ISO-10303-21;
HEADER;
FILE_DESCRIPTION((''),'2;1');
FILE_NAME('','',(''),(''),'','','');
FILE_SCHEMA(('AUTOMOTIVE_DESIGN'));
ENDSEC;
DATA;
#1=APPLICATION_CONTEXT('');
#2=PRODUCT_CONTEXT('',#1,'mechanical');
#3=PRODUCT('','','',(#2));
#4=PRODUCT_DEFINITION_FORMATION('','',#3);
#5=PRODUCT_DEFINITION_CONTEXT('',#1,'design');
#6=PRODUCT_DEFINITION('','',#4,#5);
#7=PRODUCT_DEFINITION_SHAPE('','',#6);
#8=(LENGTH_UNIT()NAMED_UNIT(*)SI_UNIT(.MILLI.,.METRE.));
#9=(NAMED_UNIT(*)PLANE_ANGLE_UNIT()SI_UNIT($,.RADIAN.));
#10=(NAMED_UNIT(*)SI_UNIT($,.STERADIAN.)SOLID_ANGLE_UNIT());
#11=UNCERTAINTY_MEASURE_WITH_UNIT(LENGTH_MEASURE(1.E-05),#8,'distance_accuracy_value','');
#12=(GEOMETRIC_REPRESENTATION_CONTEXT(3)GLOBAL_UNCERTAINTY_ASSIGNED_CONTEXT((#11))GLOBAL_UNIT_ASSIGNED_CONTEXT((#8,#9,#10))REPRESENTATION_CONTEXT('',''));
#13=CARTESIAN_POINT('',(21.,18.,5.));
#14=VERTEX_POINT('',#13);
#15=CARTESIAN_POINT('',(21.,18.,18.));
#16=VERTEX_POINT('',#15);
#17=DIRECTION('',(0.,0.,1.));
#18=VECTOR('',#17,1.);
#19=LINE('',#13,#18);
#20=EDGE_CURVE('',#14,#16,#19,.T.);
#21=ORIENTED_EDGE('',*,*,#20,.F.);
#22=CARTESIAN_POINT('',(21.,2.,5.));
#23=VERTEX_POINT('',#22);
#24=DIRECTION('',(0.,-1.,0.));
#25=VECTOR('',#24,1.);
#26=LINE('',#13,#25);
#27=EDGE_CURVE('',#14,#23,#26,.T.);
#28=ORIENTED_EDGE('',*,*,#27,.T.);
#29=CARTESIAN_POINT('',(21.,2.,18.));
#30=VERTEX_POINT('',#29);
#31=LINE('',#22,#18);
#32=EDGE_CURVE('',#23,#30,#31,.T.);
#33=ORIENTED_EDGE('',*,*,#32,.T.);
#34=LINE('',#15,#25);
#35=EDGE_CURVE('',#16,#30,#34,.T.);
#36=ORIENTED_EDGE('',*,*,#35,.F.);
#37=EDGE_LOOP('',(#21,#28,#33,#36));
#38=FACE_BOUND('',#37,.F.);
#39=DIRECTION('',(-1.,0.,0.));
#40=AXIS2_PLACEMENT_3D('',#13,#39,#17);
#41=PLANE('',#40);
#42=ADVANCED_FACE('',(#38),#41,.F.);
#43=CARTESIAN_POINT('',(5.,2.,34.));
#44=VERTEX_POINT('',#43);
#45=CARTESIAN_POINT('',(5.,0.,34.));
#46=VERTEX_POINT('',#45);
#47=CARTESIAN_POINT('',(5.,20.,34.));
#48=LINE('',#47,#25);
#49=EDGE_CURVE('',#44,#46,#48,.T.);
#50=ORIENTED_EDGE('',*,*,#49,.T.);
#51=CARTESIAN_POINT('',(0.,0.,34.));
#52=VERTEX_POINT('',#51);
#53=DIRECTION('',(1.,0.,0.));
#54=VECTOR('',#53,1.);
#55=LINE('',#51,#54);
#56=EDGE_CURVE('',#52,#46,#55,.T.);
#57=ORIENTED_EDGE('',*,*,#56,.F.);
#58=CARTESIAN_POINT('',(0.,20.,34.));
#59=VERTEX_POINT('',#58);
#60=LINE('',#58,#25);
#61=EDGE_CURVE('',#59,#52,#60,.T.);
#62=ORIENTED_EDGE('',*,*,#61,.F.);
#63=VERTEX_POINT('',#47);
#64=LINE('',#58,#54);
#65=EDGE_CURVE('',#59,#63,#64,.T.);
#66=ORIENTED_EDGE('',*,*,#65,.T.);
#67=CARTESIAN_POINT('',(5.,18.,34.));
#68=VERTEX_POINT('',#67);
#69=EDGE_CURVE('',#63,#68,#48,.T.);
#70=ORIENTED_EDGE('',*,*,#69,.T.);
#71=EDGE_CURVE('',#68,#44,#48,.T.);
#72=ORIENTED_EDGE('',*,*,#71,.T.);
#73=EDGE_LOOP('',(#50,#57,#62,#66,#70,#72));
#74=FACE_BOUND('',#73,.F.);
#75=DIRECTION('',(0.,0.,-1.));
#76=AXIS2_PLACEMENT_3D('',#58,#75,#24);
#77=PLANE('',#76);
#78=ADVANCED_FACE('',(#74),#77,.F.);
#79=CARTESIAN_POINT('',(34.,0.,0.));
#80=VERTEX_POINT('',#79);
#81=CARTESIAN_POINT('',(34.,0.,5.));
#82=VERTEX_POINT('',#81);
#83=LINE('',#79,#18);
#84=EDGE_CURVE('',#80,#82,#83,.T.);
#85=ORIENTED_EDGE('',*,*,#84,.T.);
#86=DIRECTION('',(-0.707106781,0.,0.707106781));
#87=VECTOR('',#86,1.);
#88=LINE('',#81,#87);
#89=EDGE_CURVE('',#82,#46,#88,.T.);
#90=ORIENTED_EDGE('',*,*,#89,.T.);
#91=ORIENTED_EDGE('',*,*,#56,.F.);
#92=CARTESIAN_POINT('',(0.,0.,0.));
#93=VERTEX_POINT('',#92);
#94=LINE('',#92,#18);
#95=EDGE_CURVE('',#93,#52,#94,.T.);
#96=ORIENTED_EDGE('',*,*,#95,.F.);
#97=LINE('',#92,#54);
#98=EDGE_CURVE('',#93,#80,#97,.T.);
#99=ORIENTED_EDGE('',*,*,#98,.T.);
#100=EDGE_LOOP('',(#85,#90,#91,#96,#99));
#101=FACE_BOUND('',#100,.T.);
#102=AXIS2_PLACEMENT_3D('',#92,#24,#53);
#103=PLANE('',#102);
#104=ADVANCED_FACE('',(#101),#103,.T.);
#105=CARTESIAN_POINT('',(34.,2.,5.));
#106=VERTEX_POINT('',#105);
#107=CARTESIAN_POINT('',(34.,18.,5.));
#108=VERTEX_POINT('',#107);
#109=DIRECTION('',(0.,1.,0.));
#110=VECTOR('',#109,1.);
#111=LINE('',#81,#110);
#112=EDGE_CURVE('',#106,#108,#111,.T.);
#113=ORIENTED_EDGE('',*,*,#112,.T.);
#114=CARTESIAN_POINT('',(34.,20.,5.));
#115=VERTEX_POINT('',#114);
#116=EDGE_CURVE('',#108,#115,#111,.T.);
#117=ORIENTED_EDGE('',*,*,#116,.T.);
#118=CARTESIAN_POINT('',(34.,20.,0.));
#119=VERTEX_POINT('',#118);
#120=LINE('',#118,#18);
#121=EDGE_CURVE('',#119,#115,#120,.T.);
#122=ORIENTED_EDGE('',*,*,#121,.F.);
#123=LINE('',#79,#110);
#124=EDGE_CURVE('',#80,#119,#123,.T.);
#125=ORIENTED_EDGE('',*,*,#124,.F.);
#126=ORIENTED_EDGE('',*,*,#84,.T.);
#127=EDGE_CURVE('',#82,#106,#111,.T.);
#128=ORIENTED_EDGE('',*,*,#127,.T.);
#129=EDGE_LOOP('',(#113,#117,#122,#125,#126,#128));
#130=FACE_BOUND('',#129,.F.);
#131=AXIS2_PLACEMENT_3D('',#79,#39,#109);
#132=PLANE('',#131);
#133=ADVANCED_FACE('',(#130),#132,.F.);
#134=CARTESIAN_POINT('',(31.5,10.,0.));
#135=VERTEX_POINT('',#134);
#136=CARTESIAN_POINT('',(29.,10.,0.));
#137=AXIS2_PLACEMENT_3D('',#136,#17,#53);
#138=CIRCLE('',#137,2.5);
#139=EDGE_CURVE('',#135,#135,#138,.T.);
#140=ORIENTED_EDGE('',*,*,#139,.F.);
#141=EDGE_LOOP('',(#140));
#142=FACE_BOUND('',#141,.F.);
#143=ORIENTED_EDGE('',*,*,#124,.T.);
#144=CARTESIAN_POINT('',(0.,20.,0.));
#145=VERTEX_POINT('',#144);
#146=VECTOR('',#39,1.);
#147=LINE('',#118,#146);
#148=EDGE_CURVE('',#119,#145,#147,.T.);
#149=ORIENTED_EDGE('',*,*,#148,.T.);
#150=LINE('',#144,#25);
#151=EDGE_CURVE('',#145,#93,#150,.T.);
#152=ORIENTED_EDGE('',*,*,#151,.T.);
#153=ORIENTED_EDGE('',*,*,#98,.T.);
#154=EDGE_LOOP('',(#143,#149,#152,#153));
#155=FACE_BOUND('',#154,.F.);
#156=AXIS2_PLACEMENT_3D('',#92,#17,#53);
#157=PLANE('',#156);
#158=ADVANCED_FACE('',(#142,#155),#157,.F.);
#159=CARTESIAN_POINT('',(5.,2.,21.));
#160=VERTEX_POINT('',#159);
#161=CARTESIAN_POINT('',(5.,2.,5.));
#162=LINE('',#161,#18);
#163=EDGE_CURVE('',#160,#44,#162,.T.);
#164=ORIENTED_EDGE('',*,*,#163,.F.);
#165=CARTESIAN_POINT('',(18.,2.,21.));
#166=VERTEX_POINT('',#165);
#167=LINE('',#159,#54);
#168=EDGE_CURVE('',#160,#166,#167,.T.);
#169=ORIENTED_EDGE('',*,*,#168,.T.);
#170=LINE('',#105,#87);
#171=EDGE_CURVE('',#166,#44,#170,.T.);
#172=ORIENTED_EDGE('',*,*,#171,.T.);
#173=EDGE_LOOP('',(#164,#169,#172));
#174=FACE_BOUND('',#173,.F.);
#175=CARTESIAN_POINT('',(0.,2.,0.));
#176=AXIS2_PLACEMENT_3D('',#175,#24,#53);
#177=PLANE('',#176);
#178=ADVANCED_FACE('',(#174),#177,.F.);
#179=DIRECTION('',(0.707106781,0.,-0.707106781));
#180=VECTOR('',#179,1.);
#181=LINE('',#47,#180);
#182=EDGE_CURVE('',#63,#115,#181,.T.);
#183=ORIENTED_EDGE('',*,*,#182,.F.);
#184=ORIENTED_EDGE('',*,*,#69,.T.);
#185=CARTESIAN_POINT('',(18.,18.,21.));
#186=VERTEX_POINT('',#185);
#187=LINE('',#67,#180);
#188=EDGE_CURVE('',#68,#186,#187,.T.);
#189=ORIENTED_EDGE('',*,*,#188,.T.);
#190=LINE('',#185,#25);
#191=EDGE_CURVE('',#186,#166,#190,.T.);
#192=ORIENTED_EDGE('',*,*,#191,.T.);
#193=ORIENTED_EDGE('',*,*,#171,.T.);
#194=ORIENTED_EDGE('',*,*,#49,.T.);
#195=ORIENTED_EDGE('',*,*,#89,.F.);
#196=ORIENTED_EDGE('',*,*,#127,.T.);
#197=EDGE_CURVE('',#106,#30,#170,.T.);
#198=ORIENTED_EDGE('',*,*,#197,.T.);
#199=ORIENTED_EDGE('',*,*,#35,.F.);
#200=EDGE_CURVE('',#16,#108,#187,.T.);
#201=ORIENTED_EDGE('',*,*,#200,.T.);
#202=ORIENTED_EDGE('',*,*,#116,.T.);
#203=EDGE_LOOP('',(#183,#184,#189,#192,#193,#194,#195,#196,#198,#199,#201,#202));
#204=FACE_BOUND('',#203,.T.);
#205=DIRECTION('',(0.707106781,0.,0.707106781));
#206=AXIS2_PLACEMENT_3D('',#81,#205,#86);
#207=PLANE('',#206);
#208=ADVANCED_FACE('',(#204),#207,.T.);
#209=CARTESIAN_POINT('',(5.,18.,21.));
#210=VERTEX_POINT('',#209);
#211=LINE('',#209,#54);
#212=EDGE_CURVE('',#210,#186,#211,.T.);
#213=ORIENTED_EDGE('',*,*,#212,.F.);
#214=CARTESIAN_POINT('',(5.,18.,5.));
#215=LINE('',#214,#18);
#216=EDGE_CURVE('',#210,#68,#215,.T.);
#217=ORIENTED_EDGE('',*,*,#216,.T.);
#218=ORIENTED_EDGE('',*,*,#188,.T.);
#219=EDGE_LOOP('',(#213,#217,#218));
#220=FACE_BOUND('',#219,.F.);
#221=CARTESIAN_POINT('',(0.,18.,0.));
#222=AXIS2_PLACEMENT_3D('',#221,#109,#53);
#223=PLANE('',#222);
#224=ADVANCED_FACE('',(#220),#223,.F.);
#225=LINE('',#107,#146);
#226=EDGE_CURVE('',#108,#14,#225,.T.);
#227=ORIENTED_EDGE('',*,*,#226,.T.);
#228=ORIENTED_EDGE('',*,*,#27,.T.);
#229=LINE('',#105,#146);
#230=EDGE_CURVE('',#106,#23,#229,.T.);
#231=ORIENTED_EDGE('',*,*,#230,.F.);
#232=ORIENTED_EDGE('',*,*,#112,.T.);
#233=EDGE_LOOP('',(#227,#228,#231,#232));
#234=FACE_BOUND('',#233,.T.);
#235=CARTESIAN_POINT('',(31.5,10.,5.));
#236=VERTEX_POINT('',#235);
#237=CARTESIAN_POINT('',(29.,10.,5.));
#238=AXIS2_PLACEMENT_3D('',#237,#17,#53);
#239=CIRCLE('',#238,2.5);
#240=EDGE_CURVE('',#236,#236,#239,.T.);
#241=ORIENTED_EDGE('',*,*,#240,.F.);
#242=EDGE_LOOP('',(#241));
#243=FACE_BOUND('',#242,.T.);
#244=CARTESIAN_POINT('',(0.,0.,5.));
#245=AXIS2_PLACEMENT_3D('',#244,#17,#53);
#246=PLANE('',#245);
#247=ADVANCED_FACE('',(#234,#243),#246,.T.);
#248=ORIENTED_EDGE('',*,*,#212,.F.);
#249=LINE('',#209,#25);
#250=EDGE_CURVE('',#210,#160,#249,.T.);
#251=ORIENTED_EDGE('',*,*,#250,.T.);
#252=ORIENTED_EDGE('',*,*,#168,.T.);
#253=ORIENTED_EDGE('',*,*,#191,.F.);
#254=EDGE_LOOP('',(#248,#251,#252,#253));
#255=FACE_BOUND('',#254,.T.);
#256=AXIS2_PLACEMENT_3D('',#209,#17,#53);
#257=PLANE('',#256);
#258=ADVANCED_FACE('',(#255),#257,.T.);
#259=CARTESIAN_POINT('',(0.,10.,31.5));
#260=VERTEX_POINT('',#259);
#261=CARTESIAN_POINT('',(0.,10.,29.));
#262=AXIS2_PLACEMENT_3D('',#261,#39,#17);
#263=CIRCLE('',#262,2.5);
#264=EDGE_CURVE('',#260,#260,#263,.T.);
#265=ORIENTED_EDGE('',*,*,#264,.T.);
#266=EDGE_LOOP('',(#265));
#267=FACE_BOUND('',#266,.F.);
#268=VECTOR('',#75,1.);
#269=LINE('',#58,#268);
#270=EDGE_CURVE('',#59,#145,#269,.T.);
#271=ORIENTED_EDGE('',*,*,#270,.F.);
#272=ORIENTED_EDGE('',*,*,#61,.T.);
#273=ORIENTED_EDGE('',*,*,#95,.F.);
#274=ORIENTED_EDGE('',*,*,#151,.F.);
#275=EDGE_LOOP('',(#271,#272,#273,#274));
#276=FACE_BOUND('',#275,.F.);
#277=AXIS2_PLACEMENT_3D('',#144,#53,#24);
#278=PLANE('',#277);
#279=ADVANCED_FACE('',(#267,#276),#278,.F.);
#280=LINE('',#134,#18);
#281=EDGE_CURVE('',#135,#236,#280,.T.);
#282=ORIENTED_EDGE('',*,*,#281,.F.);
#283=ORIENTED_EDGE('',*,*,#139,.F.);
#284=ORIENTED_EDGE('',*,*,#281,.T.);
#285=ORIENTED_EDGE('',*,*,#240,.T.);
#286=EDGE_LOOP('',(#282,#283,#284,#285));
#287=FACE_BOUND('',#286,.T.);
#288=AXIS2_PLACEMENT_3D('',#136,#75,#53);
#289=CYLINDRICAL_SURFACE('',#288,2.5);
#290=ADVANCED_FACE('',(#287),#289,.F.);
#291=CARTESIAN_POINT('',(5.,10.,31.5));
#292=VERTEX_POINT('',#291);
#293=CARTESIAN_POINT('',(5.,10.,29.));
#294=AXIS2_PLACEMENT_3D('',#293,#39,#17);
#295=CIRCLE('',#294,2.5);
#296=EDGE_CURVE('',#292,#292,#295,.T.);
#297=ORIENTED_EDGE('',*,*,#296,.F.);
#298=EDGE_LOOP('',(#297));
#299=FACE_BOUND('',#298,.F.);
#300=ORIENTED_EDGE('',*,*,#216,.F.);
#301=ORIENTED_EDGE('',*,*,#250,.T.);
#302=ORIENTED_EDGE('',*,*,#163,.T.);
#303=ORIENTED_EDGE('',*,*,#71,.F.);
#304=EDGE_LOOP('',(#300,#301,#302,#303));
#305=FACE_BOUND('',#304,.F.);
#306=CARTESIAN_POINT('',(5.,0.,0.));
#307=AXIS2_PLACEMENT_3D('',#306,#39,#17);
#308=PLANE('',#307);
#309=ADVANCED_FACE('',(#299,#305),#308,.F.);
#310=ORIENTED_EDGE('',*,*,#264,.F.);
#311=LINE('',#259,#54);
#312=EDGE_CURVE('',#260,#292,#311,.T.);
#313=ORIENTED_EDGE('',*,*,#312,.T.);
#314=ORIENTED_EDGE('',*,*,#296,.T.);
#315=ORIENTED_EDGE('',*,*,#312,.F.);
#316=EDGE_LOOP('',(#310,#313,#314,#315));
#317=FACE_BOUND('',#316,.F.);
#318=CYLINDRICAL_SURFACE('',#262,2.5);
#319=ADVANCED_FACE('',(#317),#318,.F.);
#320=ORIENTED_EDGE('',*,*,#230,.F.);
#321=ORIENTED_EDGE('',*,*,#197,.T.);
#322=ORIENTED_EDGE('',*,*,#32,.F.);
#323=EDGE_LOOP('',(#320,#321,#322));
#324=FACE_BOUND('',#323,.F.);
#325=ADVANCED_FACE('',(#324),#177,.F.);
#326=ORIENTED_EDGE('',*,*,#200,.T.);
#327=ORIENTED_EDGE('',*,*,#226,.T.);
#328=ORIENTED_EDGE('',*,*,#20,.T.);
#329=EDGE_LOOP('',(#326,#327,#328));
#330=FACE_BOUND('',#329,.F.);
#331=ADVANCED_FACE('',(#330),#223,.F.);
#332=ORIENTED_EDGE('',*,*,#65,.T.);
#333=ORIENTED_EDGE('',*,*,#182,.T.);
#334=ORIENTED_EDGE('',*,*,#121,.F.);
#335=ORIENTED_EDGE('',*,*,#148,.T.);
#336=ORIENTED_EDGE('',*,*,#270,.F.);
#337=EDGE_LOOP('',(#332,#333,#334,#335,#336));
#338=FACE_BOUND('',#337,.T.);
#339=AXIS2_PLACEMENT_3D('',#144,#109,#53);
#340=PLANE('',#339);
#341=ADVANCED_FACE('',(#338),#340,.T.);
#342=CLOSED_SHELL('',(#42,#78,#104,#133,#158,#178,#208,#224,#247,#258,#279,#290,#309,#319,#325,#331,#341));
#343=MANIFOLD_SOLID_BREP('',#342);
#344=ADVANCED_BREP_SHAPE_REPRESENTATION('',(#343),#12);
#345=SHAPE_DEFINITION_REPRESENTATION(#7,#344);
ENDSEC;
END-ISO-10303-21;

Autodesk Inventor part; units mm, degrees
ref_plane "YZ Plane" through (0, 0, 0) normal (1, 0, 0) x (0, 1, 0)
ref_plane "XZ Plane" through (0, 0, 0) normal (0, 1, 0) x (-1, 0, 0)
ref_plane "XY Plane" through (0, 0, 0) normal (0, 0, 1) x (1, 0, 0)
sketch "Sketch1" plane through (0, 0, 0) normal (0, 0, 1) x (1, 0, 0)
  line L0 (0, 0) -> (34, 0)
  line L1 (34, 0) -> (34, 20)
  line L2 (34, 20) -> (0, 20)
  line L3 (0, 20) -> (0, 0)
  circle A0 centre (29, 10) radius 2.5
  point P0 (34, 10)
  dimension "d0" = 34
  dimension "d1" = 20
  dimension "d2" = 5
  dimension "d3" = 5
extrude "Extrusion1" add sketch "Sketch1" along normal blind 5
sketch "Sketch2" plane through (0, 0, 0) normal (-1, 0, 0) x (0, 0, 1)
  line L0 (0, 0) -> (0, 20) projected
  line L1 (0, 20) -> (34, 20)
  line L2 (34, 20) -> (34, 0)
  line L3 (34, 0) -> (0, 0)
  line L4 (0, 0) -> (0, 20)
  circle A0 centre (29, 10) radius 2.5
  point P0 (5, 0)
  point P1 (34, 10)
  dimension "d6" = 34
  dimension "d7" = 5
  dimension "d8" = 5
extrude "Extrusion2" add sketch "Sketch2" against normal blind 5
sketch "Sketch3" plane through (0, 20, 0) normal (0, 1, 0) x (1, 0, 0)
  line L0 (34, -5) -> (5, -5) projected
  line L1 (5, -5) -> (5, -34) projected
  line L2 (5, -34) -> (5, -5) projected
  line L3 (5, -34) -> (34, -5)
  point P0 (0, 0)
extrude "Extrusion3" add sketch "Sketch3" against normal blind 2
sketch "Sketch4" plane through (0, 0, 0) normal (0, -1, 0) x (1, 0, 0)
  line L0 (34, 5) -> (5, 5) projected
  line L1 (34, 5) -> (5, 34) projected
  line L2 (5, 5) -> (5, 34) projected
  point P0 (0, 0)
extrude "Extrusion4" add sketch "Sketch4" against normal blind 2
sketch "Sketch5" plane through (0, 18, 0) normal (0, -1, 0) x (1, 0, 0)
  line L0 (5, 31.5) -> (5, 26.5) projected
  line L1 (26.5, 5) -> (31.5, 5) projected
  line L2 (5, 26.5) -> (5, 5)
  line L3 (5, 5) -> (26.5, 5)
  line L4 (5, 21) -> (21, 5)
  line L5 (29, 5) -> (29, 0)
  line L6 (34, 0) -> (0, 0) projected
  line L7 (5, 29) -> (0, 29)
  line L8 (5, 21) -> (18, 21)
  line L9 (21, 5) -> (21, 18)
  line L10 (5, 34) -> (34, 5) projected
  line L11 (18, 21) -> (21, 18)
  dimension "d15" = 8
  dimension "d16" = 8
extrude "Extrusion5" add sketch "Sketch5" along normal blind 16
properties part number "L Bracket Small"
